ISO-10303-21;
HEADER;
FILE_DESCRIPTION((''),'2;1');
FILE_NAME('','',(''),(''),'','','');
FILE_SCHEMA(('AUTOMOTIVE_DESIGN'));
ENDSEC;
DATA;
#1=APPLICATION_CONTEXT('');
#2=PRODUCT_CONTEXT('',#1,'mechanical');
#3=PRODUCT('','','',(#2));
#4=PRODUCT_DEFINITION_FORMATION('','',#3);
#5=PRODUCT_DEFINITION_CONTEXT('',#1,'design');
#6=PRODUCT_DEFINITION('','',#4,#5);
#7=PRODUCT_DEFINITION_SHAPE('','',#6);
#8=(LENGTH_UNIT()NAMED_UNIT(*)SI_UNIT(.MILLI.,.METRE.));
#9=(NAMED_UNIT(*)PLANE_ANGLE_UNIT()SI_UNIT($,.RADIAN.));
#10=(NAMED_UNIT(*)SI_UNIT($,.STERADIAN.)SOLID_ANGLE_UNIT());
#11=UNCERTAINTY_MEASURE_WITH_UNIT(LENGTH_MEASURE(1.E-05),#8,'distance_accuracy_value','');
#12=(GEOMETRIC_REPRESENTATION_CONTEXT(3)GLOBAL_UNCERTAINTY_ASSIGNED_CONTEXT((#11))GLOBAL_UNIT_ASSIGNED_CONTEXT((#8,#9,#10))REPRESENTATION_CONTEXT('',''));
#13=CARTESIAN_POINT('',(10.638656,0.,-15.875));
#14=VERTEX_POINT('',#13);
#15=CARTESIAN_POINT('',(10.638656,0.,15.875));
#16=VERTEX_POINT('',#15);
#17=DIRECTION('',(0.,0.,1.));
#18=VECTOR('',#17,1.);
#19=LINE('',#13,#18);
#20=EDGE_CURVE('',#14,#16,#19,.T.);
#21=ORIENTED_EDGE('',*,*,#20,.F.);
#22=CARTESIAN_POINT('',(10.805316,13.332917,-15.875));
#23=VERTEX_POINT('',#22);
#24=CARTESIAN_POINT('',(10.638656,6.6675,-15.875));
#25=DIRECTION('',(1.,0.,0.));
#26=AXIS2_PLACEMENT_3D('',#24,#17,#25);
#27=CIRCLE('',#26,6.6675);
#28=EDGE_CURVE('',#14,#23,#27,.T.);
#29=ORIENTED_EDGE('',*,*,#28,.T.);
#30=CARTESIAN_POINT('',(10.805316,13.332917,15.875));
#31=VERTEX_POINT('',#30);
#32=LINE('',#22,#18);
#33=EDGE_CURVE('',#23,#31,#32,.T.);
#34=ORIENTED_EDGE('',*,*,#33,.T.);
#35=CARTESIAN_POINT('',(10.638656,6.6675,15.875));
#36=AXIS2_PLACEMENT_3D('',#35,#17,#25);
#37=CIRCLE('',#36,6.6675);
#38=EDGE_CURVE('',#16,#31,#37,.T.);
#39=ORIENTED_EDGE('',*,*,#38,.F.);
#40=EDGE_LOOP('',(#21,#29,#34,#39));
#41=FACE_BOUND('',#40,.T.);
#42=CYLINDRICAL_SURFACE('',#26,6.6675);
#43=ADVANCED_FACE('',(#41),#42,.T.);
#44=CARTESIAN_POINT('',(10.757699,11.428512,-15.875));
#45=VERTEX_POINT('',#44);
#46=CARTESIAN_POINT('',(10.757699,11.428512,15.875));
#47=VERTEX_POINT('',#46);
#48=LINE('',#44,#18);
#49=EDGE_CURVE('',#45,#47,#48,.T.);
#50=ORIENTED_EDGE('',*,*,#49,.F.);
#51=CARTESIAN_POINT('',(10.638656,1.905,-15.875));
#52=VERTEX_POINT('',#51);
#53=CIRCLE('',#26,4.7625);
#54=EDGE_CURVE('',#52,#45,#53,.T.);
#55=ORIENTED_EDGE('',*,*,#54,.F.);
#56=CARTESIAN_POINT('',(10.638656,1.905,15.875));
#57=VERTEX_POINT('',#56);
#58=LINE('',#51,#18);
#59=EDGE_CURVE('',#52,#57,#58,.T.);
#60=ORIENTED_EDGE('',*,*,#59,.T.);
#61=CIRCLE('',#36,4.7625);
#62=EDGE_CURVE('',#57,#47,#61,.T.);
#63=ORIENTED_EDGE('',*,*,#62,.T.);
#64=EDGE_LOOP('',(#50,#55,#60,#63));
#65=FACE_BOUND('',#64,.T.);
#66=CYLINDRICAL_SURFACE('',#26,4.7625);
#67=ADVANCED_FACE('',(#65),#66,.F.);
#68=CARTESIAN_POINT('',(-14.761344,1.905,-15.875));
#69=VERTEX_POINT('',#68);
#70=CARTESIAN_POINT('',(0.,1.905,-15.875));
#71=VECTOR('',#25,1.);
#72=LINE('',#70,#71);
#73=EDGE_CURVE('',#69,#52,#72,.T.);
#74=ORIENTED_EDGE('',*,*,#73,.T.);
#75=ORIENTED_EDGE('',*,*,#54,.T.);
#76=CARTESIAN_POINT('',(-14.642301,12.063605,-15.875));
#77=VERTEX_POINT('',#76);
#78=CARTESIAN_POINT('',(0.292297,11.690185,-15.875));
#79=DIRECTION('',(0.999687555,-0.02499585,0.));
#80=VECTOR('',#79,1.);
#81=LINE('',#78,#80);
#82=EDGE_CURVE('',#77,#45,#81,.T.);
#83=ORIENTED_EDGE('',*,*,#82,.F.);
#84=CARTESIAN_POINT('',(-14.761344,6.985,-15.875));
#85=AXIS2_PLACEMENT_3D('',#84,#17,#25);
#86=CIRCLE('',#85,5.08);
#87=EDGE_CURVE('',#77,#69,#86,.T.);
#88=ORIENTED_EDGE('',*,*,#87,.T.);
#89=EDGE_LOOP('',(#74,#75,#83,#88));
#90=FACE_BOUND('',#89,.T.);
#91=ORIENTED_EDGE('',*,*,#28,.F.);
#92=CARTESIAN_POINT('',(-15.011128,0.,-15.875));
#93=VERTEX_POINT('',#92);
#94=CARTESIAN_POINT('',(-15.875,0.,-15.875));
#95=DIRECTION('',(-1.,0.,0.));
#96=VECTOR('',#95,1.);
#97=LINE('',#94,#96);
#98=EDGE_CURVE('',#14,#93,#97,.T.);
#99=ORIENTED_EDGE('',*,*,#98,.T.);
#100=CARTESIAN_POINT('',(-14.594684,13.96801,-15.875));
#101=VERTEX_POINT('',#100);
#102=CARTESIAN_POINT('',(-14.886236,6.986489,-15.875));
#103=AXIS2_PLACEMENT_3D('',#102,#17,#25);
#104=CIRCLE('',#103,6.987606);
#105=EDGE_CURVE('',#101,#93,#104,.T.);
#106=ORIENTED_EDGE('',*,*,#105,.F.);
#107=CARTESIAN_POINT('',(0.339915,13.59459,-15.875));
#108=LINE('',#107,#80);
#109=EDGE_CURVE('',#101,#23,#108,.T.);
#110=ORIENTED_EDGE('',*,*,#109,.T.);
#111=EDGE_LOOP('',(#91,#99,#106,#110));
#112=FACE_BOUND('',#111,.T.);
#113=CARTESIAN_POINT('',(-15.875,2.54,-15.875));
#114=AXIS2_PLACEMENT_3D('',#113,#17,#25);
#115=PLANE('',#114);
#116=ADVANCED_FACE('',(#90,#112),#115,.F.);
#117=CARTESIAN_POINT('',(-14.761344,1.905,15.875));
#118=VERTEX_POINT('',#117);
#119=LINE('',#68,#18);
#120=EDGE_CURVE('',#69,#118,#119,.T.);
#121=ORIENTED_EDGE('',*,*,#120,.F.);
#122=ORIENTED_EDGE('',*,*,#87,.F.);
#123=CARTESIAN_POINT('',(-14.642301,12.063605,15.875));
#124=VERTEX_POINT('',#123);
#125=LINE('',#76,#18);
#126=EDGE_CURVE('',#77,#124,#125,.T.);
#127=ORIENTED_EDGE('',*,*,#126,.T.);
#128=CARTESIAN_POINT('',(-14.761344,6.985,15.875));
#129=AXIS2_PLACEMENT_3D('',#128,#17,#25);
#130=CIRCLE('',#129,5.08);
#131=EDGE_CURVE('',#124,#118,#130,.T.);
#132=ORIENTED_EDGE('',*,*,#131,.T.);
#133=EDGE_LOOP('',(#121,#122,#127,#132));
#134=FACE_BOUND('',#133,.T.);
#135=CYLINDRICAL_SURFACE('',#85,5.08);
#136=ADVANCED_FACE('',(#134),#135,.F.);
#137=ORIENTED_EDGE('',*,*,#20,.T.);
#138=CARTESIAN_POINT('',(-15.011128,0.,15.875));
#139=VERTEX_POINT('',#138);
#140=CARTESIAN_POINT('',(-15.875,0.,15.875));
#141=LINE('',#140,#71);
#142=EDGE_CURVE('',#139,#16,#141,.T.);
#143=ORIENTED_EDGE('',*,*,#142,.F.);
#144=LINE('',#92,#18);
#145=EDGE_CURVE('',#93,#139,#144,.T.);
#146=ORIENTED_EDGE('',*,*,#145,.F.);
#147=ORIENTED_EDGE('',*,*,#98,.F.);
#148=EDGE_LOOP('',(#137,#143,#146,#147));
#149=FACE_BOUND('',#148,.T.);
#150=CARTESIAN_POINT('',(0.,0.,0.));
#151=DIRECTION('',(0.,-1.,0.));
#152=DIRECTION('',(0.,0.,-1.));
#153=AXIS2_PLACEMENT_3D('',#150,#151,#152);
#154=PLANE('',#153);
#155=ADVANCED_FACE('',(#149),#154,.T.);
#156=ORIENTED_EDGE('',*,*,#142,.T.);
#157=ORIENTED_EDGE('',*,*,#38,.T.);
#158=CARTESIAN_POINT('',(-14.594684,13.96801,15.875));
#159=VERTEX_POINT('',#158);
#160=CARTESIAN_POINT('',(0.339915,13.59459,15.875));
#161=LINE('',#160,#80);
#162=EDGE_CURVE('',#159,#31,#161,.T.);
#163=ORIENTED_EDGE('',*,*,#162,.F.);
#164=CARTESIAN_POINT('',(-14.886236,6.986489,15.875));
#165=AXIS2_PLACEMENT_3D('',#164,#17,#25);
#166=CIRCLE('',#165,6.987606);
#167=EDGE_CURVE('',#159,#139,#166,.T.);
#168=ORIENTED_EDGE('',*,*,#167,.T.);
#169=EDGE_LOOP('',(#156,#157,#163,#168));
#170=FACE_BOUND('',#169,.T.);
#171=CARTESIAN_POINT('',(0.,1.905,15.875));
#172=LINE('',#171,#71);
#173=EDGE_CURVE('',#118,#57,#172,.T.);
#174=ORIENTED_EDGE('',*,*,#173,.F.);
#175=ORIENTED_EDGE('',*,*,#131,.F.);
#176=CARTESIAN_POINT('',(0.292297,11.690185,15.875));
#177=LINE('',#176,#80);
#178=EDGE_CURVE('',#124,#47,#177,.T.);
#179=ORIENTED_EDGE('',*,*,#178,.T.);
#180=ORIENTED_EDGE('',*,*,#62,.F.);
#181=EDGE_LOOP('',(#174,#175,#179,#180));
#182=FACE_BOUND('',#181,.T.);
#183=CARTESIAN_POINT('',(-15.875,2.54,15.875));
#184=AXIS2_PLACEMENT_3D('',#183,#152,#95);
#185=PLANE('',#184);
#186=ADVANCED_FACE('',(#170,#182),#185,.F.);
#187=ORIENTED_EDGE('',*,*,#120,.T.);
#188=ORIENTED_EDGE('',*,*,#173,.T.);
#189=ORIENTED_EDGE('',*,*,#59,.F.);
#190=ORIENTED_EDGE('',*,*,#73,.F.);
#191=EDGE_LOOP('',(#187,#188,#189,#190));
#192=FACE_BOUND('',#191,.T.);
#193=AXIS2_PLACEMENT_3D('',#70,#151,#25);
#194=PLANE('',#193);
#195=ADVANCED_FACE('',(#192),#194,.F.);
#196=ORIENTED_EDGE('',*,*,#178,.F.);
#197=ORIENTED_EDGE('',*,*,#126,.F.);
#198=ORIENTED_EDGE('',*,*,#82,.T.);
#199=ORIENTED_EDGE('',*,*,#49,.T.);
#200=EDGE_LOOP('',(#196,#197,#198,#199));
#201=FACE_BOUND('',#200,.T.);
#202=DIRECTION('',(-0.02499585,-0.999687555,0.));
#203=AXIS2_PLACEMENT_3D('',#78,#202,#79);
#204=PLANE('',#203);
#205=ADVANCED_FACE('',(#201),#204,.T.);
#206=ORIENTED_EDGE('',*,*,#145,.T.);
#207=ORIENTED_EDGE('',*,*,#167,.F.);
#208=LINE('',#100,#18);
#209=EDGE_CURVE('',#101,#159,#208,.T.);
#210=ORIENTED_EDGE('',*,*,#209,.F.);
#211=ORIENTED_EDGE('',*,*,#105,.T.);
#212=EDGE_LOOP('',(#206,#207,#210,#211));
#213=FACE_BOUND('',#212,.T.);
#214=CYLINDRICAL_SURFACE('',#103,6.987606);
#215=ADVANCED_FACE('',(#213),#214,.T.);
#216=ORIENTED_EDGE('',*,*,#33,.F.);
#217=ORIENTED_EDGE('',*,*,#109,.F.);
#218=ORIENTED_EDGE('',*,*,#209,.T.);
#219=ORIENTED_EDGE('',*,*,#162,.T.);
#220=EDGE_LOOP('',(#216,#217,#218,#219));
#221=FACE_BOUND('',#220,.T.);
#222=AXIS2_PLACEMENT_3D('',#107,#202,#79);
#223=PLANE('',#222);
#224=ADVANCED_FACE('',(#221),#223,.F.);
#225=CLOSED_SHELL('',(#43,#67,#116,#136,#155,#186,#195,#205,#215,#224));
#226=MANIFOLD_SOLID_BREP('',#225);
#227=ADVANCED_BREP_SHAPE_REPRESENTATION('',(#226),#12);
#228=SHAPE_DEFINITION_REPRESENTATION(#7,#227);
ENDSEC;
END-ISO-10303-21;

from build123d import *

# Parameters (mm, degrees)
SKETCH1_W           = 31.75
SKETCH1_H           = 31.75
BOSS_EXTRUDE1_DEPTH = 2.54
BOSS_EXTRUDE2_DEPTH = 31.75
CUT_EXTRUDE1_DEPTH  = 42.009788671


with BuildPart() as part:
    # Sketch1 → Boss-Extrude1 (new body)
    with BuildSketch(Plane(origin=(0, 0, 0), x_dir=(1, 0, 0), z_dir=(0, 1, 0))):
        Rectangle(SKETCH1_W, SKETCH1_H)
    extrude(amount=BOSS_EXTRUDE1_DEPTH)

    # Sketch2 → Boss-Extrude2 (add, through all)
    with BuildSketch(Plane.XY.offset(15.875)):
        with BuildLine():
            ThreePointArc((10.757698592, 11.42851198), (15.254678119, 7.83956856), (13.014608296, 2.54))
            Line((13.014608296, 2.54), (15.875, 2.54))
            ThreePointArc((15.875, 2.54), (16.673544098, 9.502227526), (10.805315687, 13.332916772))
            Line((10.805315687, 13.332916772), (-14.594684313, 13.9680098))
            ThreePointArc((-14.594684313, 13.9680098), (-21.844382089, 7.62745208), (-15.875, 0.069193847))
            Line((-15.875, 0.069193847), (-15.875, 2.028572795))
            ThreePointArc((-15.875, 2.028572795), (-19.803445065, 7.604369283), (-14.642301408, 12.063605008))
            Line((-14.642301408, 12.063605008), (10.757698592, 11.42851198))
        make_face()
        with BuildLine():
            ThreePointArc((13.014608296, 2.54), (11.868328068, 2.066487883), (10.638655855, 1.905))
            Line((10.638655855, 1.905), (-14.761344145, 1.905))
            ThreePointArc((-14.761344145, 1.905), (-15.321589537, 1.93598771), (-15.875, 2.028572795))
            Line((-15.875, 2.028572795), (-15.875, 0.069193847))
            ThreePointArc((-15.875, 0.069193847), (-15.444137647, 0.021191286), (-15.011127782, 0))
            Line((-15.011127782, 0), (-14.761344145, 0))
            Line((-14.761344145, 0), (10.638655855, 0))
            ThreePointArc((10.638655855, 0), (13.548591422, 0.668514148), (15.875, 2.54))
            Line((15.875, 2.54), (13.014608296, 2.54))
        make_face()
    extrude(amount=-BOSS_EXTRUDE2_DEPTH)

    # Sketch3 → Cut-Extrude1 (cut, through all)
    with BuildSketch(Plane.XY.offset(15.875)):
        with BuildLine():
            Line((13.014608296, 2.54), (-15.875, 2.54))
            Line((-15.875, 2.54), (-15.875, 2.028572795))
            ThreePointArc((-15.875, 2.028572795), (-15.321589537, 1.93598771), (-14.761344145, 1.905))
            Line((-14.761344145, 1.905), (10.638655855, 1.905))
            ThreePointArc((10.638655855, 1.905), (11.868328068, 2.066487883), (13.014608296, 2.54))
        make_face()
        with BuildLine():
            Line((15.875, 0), (15.875, 2.54))
            ThreePointArc((15.875, 2.54), (13.548591422, 0.668514148), (10.638655855, 0))
            Line((10.638655855, 0), (15.875, 0))
        make_face()
        with BuildLine():
            Line((-15.875, 0), (-15.011127782, 0))
            ThreePointArc((-15.011127782, 0), (-15.444137647, 0.021191286), (-15.875, 0.069193847))
            Line((-15.875, 0.069193847), (-15.875, 0))
        make_face()
    extrude(amount=-CUT_EXTRUDE1_DEPTH, mode=Mode.SUBTRACT)


solid = part.part
